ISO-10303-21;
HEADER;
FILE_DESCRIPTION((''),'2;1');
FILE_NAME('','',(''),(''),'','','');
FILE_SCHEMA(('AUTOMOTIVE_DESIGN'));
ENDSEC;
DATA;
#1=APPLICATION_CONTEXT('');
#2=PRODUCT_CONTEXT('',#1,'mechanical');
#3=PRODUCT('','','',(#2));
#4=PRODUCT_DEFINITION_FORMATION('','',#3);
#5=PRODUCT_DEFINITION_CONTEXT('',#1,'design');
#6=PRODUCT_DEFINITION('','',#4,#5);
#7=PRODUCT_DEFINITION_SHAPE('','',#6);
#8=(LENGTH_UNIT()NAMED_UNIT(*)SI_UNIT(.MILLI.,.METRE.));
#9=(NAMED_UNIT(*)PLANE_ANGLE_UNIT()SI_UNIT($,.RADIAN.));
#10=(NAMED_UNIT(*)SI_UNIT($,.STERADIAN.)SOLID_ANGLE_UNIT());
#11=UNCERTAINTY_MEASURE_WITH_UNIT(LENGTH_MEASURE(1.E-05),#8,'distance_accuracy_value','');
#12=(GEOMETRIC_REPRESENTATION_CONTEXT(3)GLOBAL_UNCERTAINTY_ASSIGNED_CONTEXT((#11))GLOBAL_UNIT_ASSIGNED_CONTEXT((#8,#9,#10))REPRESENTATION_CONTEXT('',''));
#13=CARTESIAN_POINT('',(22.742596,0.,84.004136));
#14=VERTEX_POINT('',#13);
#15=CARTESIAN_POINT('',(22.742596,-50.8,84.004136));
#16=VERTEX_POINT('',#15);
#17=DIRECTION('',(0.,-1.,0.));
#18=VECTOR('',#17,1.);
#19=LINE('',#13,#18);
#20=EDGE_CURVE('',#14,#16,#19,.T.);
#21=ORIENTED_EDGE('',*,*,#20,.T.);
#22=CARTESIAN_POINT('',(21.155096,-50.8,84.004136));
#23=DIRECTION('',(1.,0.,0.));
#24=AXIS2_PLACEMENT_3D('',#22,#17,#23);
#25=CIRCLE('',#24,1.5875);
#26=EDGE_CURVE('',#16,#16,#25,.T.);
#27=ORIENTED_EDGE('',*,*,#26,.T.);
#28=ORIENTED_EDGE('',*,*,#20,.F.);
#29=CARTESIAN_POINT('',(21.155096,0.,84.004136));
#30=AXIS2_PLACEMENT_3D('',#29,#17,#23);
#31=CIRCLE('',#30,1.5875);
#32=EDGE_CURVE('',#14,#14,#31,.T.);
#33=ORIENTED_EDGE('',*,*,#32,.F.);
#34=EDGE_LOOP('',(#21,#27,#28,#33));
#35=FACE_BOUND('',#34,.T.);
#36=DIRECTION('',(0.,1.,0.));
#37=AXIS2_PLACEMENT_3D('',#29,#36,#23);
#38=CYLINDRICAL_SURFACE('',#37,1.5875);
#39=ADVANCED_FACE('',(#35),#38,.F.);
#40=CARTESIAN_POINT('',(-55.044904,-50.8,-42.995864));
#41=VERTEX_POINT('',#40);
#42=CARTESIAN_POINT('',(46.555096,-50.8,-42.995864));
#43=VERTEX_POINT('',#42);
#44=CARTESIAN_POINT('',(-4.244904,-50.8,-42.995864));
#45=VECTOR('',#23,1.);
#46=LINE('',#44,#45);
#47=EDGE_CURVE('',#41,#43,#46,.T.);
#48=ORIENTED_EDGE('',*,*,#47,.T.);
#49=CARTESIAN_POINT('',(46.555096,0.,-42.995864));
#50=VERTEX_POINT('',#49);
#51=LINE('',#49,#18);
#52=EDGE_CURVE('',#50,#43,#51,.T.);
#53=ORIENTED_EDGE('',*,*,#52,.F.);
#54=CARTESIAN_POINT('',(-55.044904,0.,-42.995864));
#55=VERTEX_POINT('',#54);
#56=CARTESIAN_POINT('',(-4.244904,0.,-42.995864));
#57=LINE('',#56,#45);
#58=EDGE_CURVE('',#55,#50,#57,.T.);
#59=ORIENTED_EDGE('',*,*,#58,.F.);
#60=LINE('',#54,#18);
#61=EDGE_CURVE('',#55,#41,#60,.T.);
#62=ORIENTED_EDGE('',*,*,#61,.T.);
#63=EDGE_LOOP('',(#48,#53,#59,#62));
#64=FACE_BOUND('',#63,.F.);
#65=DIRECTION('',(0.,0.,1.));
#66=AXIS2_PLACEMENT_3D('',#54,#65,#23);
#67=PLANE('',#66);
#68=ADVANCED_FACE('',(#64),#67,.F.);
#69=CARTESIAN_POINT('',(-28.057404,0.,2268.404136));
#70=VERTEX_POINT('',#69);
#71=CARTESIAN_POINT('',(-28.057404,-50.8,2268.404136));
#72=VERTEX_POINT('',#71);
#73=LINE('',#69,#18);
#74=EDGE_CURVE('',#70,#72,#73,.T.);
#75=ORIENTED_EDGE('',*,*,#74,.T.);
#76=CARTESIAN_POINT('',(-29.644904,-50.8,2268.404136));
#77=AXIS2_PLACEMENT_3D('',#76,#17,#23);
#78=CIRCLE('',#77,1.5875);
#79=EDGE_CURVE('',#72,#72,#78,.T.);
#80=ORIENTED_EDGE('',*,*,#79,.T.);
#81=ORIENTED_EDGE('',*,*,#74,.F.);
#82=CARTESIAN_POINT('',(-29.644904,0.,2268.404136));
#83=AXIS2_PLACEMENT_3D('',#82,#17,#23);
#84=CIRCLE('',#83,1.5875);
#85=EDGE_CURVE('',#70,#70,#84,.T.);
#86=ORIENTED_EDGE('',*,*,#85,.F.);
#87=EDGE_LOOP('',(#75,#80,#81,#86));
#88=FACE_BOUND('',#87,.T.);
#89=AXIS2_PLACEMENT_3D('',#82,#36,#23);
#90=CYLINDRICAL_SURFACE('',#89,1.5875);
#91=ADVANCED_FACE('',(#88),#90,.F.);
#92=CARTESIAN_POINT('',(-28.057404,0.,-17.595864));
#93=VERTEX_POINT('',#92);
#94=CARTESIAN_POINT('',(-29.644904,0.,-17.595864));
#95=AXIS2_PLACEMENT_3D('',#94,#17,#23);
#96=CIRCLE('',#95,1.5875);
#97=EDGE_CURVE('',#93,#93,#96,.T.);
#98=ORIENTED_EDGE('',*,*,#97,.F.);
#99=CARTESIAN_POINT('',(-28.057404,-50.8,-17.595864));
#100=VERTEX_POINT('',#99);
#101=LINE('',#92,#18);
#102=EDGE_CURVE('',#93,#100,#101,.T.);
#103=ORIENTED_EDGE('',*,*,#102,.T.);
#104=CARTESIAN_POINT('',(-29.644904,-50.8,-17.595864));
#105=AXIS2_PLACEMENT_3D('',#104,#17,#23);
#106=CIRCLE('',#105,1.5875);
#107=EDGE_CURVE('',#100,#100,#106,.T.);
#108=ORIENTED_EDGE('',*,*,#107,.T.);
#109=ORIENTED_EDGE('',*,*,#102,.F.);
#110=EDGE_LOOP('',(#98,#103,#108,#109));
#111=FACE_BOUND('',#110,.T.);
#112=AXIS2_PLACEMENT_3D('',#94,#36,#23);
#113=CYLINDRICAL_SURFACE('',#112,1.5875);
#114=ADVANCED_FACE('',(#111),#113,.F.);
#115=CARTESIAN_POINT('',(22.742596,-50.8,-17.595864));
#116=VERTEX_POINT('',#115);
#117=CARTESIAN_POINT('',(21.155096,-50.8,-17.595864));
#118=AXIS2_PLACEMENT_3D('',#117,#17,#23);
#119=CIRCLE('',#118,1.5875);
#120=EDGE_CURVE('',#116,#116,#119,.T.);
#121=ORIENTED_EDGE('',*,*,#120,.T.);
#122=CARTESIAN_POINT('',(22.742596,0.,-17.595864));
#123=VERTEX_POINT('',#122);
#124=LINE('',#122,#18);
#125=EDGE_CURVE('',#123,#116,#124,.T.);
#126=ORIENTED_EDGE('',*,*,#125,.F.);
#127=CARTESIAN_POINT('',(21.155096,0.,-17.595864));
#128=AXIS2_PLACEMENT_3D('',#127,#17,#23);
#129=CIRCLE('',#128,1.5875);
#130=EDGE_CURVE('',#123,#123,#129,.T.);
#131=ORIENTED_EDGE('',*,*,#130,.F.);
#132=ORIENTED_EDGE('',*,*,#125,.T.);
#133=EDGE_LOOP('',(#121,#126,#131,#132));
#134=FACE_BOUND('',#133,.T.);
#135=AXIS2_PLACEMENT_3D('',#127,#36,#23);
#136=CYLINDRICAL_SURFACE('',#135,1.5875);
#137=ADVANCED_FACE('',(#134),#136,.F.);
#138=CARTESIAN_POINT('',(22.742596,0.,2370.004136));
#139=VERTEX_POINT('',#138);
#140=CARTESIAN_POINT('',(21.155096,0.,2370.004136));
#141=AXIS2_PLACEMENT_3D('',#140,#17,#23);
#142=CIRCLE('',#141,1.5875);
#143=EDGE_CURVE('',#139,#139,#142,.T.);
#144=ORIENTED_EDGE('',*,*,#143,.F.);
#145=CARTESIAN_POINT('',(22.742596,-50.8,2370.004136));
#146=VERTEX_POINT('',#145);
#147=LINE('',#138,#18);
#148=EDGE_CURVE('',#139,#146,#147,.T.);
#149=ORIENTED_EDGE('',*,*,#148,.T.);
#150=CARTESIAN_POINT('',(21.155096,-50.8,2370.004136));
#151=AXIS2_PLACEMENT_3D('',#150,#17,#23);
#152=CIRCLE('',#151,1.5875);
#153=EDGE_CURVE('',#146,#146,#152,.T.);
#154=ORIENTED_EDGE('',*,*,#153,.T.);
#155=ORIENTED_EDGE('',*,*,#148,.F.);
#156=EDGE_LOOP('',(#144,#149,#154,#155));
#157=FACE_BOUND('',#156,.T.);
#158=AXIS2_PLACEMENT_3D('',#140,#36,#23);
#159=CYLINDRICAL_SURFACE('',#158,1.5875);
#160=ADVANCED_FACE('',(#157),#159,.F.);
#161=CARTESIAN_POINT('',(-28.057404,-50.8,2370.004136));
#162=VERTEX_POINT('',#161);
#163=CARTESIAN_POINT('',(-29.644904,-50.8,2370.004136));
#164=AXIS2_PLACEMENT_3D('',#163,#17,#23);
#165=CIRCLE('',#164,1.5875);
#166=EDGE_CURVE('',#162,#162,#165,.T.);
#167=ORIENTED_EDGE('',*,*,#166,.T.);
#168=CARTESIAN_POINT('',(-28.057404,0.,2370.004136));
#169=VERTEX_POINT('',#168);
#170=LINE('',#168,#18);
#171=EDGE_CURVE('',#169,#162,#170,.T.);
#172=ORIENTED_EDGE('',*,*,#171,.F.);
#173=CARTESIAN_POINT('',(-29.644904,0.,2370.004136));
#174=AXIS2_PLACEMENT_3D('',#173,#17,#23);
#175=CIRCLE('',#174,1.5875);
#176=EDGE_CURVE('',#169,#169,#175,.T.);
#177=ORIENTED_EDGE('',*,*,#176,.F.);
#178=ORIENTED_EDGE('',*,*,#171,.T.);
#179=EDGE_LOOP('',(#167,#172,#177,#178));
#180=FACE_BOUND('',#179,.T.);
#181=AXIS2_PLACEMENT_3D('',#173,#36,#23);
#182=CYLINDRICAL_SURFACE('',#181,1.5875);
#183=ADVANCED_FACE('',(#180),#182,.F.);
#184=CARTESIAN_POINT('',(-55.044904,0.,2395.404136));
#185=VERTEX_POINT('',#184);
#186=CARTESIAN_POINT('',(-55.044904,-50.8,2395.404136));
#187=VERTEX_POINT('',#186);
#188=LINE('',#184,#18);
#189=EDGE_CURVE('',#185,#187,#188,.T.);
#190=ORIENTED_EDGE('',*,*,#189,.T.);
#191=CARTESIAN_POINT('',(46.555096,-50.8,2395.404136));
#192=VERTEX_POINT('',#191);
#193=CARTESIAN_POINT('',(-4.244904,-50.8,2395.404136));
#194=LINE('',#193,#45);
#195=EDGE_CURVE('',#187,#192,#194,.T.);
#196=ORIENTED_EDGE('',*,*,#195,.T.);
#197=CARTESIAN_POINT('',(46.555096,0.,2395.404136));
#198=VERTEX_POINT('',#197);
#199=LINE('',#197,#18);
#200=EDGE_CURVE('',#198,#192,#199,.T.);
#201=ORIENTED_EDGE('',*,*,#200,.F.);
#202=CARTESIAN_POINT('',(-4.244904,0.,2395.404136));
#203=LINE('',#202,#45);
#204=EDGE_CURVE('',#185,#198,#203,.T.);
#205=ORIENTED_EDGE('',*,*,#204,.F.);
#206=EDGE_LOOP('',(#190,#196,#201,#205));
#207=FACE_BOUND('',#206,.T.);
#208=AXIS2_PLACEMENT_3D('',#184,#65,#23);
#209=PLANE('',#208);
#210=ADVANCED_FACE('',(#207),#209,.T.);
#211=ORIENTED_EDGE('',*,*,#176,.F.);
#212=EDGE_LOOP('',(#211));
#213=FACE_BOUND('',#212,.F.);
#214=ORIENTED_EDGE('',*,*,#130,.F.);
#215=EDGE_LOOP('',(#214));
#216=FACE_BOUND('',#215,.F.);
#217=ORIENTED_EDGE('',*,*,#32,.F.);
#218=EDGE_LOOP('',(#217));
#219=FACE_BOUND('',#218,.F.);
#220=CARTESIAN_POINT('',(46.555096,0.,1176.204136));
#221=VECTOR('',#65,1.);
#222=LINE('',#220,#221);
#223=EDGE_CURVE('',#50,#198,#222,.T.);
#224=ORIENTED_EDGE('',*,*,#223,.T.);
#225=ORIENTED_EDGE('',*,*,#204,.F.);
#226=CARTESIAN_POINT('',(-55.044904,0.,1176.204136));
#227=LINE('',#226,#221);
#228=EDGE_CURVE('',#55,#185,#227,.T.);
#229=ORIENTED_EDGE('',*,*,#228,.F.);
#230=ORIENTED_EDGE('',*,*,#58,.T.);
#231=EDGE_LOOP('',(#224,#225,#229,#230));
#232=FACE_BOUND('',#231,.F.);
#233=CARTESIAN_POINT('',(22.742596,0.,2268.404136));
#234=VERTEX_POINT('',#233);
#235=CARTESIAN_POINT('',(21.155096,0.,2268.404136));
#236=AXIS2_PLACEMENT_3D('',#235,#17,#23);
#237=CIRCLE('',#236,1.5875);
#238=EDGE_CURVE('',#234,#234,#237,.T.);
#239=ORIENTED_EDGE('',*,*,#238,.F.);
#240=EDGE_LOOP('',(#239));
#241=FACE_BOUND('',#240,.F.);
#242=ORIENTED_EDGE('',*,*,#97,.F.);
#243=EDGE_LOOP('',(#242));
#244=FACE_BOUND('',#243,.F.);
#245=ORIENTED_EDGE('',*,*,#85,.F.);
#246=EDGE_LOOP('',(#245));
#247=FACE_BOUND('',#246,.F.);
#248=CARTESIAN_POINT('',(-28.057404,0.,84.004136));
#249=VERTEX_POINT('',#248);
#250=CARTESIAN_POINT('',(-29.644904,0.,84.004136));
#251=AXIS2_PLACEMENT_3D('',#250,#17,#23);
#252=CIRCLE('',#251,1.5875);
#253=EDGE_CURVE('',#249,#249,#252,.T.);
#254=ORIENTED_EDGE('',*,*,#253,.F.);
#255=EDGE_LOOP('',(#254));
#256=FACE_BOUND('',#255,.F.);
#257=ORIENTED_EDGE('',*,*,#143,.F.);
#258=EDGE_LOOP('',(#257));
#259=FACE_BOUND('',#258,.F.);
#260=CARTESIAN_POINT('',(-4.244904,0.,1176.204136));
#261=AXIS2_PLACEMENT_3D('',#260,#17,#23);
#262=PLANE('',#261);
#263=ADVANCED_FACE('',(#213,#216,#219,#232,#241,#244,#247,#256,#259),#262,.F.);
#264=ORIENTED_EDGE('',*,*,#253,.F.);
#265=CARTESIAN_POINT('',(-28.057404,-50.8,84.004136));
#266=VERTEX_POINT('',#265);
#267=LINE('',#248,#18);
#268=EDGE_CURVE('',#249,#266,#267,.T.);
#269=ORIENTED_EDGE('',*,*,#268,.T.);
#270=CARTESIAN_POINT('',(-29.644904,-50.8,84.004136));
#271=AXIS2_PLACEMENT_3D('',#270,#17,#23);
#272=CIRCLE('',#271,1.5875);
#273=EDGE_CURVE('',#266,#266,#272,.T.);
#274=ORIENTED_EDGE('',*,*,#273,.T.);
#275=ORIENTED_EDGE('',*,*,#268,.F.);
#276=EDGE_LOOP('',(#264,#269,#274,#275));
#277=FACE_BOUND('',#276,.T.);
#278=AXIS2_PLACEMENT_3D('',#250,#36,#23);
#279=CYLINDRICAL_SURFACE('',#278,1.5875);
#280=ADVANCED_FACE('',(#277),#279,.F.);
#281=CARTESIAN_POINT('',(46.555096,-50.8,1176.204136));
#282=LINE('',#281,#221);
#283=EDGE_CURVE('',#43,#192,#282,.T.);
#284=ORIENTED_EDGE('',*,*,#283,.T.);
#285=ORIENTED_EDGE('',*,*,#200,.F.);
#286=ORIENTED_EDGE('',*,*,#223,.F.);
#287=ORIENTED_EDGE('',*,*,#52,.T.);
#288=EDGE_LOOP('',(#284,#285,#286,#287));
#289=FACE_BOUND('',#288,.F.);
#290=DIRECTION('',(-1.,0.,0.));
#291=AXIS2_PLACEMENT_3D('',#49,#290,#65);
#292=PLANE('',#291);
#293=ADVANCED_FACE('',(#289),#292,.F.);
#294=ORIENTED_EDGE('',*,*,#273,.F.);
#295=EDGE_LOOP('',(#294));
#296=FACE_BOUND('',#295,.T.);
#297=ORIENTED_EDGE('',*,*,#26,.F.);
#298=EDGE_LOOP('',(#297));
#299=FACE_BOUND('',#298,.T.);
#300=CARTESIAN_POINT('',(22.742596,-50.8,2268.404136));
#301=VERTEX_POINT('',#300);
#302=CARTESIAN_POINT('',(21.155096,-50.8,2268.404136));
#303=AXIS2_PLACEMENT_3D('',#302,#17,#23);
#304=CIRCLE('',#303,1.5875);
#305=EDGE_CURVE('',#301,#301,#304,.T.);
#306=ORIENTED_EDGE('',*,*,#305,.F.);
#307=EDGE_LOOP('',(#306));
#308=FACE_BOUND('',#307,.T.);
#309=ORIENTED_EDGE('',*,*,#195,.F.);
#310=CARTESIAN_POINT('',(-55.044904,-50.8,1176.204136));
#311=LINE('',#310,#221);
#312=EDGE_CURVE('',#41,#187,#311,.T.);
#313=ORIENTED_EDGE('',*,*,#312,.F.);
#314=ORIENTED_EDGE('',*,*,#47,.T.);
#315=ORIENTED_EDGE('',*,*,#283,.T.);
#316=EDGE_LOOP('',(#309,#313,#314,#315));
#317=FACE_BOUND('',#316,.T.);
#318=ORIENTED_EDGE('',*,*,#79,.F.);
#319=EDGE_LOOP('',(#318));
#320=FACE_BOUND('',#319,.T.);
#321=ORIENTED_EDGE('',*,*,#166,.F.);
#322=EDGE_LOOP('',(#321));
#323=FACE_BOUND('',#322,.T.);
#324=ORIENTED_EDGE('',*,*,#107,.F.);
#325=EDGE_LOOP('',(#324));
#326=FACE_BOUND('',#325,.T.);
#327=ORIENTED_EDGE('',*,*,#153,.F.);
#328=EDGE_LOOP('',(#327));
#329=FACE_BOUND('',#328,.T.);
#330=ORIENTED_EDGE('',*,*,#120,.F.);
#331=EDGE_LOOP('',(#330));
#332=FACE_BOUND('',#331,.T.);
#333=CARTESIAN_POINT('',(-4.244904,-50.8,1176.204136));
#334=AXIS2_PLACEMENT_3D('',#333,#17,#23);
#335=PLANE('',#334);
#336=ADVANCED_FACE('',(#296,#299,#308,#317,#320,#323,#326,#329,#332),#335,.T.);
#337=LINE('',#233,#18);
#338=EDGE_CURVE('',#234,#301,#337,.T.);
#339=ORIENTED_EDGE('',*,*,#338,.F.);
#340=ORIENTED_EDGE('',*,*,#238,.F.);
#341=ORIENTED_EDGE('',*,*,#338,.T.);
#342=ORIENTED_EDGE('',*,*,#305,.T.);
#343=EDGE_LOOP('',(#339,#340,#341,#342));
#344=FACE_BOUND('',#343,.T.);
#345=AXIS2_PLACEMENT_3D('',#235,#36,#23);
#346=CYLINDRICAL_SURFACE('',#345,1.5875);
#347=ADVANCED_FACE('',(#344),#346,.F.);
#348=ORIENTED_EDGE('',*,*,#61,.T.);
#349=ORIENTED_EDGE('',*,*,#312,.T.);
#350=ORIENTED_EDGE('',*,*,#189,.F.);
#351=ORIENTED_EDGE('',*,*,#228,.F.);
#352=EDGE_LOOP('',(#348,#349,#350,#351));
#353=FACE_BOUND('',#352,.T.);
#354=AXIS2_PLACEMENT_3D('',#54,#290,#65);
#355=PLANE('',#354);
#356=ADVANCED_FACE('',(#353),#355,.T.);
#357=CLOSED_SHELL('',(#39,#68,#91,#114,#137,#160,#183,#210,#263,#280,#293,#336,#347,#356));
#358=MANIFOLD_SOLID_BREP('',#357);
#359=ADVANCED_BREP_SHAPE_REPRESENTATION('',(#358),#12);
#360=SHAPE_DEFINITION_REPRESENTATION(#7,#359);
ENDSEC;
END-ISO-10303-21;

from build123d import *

# Parameters (mm, degrees)
F0_W     = 101.6
F0_H     = 2438.4
F0_R     = 1.5875
F1_DEPTH = 50.8


with BuildPart() as f1:
    # F0 (on Front) → F1 (new body)
    with BuildSketch(Plane.XZ):
        with Locations((-4.244904, 1176.204136)):
            Rectangle(F0_W, F0_H)
        with Locations((-29.644904, -17.595864)):
            Circle(F0_R, mode=Mode.SUBTRACT)
        with Locations((-29.644904, 84.004136)):
            Circle(F0_R, mode=Mode.SUBTRACT)
        with Locations((21.155096, -17.595864)):
            Circle(F0_R, mode=Mode.SUBTRACT)
        with Locations((21.155096, 84.004136)):
            Circle(F0_R, mode=Mode.SUBTRACT)
        with Locations((-29.644904, 2268.404136)):
            Circle(F0_R, mode=Mode.SUBTRACT)
        with Locations((-29.644904, 2370.004136)):
            Circle(F0_R, mode=Mode.SUBTRACT)
        with Locations((21.155096, 2268.404136)):
            Circle(F0_R, mode=Mode.SUBTRACT)
        with Locations((21.155096, 2370.004136)):
            Circle(F0_R, mode=Mode.SUBTRACT)
    extrude(amount=F1_DEPTH)


solid = f1.part
